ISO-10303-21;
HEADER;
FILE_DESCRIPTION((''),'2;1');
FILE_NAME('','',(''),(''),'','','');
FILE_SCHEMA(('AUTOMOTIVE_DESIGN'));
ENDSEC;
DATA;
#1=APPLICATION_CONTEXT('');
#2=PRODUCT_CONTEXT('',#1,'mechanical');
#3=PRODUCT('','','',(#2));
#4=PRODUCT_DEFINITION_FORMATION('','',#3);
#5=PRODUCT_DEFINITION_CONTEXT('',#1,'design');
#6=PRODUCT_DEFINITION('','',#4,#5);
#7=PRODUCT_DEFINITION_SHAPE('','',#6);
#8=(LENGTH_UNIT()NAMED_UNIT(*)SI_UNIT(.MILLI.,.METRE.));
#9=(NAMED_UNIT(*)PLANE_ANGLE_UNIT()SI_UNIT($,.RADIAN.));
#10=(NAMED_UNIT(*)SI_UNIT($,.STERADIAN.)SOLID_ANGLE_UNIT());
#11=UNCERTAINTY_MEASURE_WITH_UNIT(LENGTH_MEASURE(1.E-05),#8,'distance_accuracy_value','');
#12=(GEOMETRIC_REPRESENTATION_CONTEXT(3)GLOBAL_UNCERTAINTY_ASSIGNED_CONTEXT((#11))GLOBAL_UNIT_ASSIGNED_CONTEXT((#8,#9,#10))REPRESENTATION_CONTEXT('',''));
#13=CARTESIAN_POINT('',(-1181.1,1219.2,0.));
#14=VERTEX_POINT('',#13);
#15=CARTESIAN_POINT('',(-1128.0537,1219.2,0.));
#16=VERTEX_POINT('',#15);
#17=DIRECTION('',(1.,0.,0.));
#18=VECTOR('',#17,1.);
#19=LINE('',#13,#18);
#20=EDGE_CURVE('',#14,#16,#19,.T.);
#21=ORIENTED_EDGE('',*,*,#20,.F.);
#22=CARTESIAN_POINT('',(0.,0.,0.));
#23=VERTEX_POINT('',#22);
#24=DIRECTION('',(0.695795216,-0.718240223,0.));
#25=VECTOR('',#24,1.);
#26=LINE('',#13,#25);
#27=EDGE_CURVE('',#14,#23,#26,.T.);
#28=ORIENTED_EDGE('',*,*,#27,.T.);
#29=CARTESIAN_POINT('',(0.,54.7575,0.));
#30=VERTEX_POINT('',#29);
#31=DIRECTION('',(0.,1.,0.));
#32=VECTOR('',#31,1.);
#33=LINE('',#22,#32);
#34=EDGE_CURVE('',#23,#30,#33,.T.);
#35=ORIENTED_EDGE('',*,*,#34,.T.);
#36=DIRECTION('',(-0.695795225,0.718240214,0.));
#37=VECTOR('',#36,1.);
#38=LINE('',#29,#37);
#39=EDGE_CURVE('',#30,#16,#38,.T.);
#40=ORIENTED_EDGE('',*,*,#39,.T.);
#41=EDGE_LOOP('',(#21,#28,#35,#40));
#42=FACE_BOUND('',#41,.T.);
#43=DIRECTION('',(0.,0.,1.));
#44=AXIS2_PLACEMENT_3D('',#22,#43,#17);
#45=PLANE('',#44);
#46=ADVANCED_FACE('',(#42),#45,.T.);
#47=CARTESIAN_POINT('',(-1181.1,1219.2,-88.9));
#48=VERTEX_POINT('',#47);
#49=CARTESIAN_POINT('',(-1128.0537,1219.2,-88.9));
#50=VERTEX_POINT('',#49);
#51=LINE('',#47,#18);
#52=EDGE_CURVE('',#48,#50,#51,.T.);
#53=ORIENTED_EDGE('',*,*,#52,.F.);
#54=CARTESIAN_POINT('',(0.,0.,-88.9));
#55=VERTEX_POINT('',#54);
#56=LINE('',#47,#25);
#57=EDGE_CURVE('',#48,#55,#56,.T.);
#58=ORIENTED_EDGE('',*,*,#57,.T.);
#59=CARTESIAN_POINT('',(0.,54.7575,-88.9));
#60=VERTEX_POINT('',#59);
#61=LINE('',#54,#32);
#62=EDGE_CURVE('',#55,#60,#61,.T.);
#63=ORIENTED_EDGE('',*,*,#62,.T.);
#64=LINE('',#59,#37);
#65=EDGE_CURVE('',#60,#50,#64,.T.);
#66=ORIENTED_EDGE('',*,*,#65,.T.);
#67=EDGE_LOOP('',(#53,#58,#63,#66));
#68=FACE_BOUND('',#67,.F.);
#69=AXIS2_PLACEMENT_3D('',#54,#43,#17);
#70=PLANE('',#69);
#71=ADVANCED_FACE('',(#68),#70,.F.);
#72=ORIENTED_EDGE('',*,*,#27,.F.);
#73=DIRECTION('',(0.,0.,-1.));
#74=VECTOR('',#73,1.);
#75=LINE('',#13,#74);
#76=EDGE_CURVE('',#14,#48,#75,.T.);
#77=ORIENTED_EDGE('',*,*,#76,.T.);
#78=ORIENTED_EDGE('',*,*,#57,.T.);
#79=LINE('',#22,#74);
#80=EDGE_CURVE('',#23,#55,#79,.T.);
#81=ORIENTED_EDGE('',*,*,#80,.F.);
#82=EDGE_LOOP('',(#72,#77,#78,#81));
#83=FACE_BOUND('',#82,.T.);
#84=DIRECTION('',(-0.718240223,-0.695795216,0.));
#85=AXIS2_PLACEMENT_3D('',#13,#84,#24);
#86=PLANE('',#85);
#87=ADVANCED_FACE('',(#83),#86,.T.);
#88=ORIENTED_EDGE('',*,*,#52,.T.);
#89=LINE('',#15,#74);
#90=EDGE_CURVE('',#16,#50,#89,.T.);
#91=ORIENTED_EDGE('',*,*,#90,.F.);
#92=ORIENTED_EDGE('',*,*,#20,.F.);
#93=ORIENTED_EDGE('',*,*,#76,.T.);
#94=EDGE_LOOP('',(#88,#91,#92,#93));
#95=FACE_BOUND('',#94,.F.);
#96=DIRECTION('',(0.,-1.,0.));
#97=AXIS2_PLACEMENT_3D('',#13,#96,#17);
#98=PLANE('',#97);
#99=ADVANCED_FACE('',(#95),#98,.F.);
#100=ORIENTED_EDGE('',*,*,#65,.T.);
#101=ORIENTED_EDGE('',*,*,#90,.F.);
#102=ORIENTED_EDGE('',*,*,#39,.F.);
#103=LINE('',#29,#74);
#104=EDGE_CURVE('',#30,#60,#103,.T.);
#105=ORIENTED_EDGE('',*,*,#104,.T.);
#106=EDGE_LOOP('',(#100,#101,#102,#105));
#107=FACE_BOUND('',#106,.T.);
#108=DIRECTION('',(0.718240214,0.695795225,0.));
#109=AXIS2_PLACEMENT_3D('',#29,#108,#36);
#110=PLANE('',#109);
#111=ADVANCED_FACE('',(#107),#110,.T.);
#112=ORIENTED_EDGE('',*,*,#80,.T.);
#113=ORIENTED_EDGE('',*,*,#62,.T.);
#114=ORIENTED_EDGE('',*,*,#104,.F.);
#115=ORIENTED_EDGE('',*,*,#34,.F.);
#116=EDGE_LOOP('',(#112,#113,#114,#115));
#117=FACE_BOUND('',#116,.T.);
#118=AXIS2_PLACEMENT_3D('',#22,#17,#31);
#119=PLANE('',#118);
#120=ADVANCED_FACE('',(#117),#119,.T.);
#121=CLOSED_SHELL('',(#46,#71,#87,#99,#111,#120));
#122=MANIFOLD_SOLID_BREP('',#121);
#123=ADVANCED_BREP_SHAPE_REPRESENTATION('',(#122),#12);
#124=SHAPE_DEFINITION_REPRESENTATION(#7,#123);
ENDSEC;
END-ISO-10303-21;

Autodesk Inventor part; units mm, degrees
ref_plane "YZ Plane" through (0, 0, 0) normal (1, 0, 0) x (0, 1, 0)
ref_plane "XZ Plane" through (0, 0, 0) normal (0, 1, 0) x (-1, 0, 0)
ref_plane "XY Plane" through (0, 0, 0) normal (0, 0, 1) x (1, 0, 0)
sketch "Sketch1" plane through (0, 0, 0) normal (0, 0, 1) x (1, 0, 0)
  line L0 (0, 0) -> (0, 1219.2) projected
  line L1 (-1181.1, 1219.2) -> (38.1, 1219.2) projected
  line L2 (-1181.1, 1219.2) -> (0, 0)
  line L3 (0, 54.7575) -> (-1128.0537, 1219.2)
  line L4 (-1181.1, 1219.2) -> (-1128.0537, 1219.2)
  line L5 (-1128.0537, 1219.2) -> (-1181.1, 1219.2)
  dimension "d0" = 38.1
extrude "Extrusion1" add sketch "Sketch1" against normal blind 88.9 contours L2 L1 L3 L0
properties part number "side-side"
